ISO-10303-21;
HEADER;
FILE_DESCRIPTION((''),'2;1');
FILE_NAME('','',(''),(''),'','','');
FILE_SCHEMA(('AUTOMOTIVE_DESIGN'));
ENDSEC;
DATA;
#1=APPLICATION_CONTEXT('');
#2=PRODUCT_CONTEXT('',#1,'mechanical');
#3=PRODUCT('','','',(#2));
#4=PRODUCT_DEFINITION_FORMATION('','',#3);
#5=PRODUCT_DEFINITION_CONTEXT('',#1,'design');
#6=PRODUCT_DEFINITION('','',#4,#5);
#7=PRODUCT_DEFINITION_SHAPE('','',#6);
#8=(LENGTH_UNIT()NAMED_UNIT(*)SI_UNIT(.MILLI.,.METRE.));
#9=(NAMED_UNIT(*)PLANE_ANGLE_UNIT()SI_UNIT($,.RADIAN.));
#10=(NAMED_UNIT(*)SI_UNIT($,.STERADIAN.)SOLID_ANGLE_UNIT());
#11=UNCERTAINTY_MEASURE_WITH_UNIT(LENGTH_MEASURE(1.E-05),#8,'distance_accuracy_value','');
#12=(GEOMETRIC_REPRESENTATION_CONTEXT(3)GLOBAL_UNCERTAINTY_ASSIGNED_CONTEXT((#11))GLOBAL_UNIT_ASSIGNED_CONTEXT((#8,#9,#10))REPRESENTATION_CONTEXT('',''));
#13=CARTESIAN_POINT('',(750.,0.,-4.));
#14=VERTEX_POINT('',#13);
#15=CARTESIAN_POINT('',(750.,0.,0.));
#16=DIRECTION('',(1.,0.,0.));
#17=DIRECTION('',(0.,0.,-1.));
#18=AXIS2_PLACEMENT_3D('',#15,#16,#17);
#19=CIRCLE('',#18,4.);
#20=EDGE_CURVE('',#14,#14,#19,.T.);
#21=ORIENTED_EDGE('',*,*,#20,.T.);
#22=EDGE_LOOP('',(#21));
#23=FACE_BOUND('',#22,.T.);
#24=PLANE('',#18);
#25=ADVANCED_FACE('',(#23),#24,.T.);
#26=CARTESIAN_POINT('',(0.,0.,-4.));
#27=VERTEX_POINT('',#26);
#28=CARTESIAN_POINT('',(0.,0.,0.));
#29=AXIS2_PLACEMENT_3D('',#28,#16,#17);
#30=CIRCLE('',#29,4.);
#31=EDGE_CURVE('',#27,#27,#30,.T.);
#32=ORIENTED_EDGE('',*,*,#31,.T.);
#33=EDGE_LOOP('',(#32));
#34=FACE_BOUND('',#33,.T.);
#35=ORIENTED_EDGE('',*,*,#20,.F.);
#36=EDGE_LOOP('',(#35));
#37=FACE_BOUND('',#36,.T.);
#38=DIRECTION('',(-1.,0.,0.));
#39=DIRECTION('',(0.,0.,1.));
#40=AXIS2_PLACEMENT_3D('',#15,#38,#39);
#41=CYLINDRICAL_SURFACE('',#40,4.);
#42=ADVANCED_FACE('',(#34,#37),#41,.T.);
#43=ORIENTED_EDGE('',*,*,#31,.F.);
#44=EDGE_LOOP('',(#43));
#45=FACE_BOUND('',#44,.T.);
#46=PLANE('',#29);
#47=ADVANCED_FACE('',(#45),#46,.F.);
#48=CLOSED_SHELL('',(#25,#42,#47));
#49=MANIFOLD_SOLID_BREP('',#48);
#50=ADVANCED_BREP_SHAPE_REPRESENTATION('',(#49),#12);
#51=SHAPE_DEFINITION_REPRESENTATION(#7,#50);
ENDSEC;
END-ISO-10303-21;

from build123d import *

# Parameters (mm, degrees)
SKETCH1_R           = 4
BOSS_EXTRUDE1_DEPTH = 750


with BuildPart() as part:
    # Sketch1 → Boss-Extrude1 (new body)
    with BuildSketch(Plane(origin=(0, 0, 0), x_dir=(0, 0, -1), z_dir=(1, 0, 0))):
        Circle(SKETCH1_R)
    extrude(amount=BOSS_EXTRUDE1_DEPTH)


solid = part.part
